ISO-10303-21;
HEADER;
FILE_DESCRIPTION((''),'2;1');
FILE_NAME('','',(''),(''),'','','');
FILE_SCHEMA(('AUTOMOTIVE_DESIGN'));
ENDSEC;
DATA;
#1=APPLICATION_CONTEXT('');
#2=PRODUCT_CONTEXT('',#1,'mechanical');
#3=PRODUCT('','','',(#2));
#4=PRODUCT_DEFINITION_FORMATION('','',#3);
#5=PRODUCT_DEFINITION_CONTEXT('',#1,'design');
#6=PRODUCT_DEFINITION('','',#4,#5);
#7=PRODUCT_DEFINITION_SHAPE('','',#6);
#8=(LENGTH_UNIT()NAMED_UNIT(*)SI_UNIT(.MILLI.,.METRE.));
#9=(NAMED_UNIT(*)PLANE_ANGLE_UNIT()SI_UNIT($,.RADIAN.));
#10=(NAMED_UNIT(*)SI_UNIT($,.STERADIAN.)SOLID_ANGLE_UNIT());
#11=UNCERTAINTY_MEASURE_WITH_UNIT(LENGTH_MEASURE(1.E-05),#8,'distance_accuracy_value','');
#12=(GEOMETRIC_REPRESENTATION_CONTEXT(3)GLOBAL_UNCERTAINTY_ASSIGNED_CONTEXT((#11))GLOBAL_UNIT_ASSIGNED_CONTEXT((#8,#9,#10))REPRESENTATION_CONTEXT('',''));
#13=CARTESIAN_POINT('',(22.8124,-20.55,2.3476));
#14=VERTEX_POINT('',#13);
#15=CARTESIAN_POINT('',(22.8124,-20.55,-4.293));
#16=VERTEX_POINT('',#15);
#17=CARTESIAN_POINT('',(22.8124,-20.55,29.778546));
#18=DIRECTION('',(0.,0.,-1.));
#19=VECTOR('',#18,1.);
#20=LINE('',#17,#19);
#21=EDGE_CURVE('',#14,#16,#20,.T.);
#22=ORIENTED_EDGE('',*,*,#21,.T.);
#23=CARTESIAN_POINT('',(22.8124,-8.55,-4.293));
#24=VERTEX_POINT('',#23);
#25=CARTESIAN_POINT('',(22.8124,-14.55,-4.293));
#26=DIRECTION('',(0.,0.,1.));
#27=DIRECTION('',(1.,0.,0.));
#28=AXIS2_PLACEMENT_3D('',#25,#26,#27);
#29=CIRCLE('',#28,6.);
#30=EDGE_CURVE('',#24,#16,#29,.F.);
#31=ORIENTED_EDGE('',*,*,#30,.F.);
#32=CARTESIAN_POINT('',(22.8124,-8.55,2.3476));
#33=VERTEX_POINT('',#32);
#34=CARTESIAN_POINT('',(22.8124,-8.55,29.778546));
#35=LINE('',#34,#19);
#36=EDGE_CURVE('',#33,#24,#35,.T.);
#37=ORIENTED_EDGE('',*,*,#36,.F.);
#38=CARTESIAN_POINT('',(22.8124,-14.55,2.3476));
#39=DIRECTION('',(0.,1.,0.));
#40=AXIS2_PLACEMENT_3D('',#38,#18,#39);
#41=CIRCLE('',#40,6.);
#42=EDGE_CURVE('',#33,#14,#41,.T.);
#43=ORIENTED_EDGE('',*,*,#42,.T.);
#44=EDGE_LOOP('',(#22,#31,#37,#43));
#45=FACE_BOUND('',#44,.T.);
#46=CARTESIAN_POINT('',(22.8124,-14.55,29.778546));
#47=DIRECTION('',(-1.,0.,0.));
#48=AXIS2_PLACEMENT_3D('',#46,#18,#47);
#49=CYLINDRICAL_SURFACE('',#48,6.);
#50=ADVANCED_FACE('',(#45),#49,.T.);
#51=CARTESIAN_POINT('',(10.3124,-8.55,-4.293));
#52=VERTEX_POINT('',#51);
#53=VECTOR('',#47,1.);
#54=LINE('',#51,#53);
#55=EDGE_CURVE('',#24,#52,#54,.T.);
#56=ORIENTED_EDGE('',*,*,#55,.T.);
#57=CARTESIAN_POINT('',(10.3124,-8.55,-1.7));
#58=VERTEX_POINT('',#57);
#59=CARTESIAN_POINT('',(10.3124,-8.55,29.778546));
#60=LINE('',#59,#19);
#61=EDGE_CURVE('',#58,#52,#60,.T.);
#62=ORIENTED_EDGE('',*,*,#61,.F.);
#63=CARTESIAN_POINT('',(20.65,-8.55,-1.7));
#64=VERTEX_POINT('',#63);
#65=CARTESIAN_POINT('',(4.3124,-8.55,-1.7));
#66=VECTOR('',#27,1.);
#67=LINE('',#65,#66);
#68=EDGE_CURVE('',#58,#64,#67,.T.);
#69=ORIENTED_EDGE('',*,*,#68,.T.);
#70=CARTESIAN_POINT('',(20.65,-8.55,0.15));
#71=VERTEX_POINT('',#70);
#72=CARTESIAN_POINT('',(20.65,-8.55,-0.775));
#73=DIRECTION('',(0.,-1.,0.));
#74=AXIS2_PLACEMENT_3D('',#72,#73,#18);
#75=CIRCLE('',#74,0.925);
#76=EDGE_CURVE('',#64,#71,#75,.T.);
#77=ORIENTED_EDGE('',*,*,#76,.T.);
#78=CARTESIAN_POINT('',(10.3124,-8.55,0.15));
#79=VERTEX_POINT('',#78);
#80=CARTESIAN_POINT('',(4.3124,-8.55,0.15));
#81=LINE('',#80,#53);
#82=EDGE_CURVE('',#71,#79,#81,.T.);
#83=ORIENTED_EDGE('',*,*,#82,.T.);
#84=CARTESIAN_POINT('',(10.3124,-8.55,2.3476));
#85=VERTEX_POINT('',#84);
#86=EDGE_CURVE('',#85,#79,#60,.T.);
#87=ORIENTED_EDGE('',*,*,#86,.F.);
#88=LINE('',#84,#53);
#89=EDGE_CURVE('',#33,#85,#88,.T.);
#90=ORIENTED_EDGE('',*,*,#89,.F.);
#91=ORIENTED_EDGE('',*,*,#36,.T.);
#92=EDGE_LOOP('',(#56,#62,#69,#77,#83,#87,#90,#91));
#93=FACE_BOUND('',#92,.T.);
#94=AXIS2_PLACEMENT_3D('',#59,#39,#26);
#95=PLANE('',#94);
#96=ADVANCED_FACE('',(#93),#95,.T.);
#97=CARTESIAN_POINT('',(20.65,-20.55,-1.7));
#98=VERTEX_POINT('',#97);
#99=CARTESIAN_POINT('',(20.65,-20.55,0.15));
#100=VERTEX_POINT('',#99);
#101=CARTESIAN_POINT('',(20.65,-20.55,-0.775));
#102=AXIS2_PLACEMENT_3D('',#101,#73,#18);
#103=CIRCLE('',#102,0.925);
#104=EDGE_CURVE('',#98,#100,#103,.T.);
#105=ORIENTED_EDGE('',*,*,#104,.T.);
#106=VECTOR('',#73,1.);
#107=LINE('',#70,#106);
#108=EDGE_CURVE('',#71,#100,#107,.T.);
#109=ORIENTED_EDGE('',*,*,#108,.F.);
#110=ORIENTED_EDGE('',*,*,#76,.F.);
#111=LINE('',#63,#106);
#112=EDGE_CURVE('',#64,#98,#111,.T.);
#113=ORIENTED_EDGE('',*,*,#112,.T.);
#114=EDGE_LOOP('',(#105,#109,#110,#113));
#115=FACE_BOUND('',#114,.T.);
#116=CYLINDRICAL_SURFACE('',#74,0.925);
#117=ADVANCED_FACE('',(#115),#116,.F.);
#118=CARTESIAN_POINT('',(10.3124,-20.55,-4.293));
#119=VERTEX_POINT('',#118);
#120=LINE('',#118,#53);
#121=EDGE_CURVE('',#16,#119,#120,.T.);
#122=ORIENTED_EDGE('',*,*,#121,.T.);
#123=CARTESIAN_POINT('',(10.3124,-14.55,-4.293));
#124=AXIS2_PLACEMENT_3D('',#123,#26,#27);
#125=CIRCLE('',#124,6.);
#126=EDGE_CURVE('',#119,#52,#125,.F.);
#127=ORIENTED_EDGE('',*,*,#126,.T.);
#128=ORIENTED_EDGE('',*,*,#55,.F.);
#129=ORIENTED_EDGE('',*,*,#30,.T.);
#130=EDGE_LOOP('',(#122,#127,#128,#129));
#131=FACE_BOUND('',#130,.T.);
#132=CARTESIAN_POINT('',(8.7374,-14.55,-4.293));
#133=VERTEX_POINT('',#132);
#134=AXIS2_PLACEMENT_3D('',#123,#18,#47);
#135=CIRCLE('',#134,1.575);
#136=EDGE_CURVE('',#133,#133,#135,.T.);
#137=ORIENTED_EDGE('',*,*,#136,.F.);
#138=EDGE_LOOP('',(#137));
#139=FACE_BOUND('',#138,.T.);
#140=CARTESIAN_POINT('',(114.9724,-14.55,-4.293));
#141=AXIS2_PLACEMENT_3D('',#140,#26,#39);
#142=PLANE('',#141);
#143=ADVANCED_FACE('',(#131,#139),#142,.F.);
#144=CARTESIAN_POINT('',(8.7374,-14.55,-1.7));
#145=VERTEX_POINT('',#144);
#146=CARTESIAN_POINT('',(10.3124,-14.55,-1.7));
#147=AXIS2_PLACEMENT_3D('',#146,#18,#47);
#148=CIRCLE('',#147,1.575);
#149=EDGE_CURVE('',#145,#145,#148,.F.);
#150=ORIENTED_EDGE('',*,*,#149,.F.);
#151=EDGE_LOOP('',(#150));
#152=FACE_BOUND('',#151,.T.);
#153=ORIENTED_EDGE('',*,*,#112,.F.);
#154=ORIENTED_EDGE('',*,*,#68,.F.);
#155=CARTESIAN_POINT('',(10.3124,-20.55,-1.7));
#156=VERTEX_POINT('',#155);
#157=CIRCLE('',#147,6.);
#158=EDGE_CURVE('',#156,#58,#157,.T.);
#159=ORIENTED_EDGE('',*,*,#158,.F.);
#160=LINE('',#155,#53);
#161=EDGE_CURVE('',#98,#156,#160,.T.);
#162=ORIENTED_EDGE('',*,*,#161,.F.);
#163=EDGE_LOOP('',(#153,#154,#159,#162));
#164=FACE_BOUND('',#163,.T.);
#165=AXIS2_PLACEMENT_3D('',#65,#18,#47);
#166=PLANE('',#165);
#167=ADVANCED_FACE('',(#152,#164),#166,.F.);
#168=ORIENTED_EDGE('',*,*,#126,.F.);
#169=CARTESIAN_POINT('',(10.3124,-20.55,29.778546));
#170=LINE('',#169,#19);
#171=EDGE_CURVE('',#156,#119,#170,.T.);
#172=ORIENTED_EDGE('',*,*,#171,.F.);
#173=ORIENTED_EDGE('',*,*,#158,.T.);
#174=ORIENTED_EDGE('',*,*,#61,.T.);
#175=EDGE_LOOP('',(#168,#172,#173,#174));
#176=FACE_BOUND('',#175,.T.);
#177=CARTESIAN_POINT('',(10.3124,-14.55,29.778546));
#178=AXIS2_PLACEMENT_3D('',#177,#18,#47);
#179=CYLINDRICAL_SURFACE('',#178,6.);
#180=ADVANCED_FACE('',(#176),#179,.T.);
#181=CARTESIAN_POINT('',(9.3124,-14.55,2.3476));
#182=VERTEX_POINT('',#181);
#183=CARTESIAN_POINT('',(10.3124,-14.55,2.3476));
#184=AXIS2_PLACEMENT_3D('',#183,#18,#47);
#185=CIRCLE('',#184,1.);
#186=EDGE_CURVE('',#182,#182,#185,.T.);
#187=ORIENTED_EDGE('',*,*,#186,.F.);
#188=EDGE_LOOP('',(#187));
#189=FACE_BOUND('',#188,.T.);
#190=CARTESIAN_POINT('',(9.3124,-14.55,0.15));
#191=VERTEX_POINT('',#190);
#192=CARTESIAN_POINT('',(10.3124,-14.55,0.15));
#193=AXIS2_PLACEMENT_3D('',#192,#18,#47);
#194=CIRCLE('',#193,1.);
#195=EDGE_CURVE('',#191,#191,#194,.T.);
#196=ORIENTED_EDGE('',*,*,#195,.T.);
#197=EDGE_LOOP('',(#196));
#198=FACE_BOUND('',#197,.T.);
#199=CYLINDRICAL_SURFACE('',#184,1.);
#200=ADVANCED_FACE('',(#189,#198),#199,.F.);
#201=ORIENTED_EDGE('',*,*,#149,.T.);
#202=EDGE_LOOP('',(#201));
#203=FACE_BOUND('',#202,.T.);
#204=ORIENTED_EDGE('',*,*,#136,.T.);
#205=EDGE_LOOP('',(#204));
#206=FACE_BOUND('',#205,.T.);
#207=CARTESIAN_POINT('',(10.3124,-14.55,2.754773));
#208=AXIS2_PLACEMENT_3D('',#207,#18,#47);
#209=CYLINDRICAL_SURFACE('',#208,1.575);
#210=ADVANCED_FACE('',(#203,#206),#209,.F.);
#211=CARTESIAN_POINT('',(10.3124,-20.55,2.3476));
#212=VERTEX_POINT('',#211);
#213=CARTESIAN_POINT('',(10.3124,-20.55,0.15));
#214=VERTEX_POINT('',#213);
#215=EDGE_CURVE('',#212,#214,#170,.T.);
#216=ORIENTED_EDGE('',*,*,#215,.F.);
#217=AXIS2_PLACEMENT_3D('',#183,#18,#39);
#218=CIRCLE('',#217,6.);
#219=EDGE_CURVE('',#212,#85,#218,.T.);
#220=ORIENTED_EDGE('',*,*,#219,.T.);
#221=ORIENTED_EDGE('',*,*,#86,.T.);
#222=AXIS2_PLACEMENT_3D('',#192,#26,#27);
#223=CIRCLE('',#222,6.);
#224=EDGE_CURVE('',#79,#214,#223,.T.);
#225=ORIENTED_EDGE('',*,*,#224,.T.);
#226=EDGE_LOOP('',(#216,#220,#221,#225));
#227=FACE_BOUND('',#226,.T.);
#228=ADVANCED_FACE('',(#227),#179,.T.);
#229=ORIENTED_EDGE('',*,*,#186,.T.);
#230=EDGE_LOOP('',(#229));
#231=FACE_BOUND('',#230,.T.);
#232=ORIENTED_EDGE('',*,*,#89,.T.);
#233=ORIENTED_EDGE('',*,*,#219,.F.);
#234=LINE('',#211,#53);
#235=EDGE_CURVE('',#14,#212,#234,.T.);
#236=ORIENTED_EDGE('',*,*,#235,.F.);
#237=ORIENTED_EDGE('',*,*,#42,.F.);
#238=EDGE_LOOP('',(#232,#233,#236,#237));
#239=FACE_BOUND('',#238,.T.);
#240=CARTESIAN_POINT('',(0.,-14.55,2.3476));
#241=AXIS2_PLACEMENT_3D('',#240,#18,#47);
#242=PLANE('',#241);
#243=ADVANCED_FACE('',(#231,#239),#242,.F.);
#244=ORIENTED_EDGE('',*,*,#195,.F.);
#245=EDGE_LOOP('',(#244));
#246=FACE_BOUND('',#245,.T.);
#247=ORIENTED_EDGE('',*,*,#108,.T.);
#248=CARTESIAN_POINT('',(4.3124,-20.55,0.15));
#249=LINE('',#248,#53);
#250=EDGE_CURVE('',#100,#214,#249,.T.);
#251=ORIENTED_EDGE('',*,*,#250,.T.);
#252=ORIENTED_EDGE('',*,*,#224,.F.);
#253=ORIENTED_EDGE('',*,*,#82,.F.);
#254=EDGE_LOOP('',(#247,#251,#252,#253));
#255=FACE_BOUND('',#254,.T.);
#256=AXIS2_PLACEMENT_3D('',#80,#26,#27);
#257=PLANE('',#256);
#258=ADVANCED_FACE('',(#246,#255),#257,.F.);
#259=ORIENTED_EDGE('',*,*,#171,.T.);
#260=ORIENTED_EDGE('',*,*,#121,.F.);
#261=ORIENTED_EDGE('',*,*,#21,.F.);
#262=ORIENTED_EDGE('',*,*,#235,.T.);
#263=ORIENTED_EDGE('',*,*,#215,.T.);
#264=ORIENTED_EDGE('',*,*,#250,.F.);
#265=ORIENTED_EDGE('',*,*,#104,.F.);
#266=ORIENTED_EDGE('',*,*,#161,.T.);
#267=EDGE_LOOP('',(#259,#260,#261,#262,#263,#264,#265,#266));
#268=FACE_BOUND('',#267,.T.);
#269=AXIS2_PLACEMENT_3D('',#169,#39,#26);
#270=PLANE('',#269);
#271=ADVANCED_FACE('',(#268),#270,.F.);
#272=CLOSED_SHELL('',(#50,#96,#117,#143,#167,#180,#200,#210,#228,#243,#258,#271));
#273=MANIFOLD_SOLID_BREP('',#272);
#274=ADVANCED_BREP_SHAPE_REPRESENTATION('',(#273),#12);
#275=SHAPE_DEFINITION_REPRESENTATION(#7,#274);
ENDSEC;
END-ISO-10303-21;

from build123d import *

# Parameters (mm, degrees)
BOSS_EXTRUDE1_DEPTH      = 2.3476
BOSS_EXTRUDE1_DEPTH_BACK = 4.293
CUT_EXTRUDE1_DEPTH       = 32.505304994
SKETCH3_R                = 1.575
CUT_EXTRUDE2_DEPTH       = 2.593
SKETCH4_R                = 1
CUT_EXTRUDE3_DEPTH       = 36.667872697


with BuildPart() as part:
    # Sketch1 → Boss-Extrude1 (new, two sides: drawn at the far end of the back side and taken through both)
    with BuildSketch(Plane.XY.offset(-BOSS_EXTRUDE1_DEPTH_BACK)):
        with BuildLine():
            Line((10.3124, -8.55), (22.8124, -8.55))
            ThreePointArc((22.8124, -8.55), (28.8124, -14.55), (22.8124, -20.55))
            Line((22.8124, -20.55), (10.3124, -20.55))
            ThreePointArc((10.3124, -20.55), (4.3124, -14.55), (10.3124, -8.55))
        make_face()
    extrude(amount=BOSS_EXTRUDE1_DEPTH + BOSS_EXTRUDE1_DEPTH_BACK)

    # Sketch2 → Cut-Extrude1 (cut, through all)
    with BuildSketch(Plane.XZ.offset(20.55)):
        with BuildLine():
            Line((4.3124, 0.15), (20.65, 0.15))
            ThreePointArc((20.65, 0.15), (21.575, -0.775), (20.65, -1.7))
            Line((20.65, -1.7), (4.3124, -1.7))
            ThreePointArc((4.3124, -1.7), (3.3874, -0.775), (4.3124, 0.15))
        make_face()
    extrude(amount=-CUT_EXTRUDE1_DEPTH, mode=Mode.SUBTRACT)

    # Sketch3 → Cut-Extrude2 (cut)
    with BuildSketch(Plane(origin=(0, 0, -4.293), x_dir=(-1, 0, 0), z_dir=(0, 0, -1))):
        with Locations((-10.3124, -14.55)):
            Circle(SKETCH3_R)
    extrude(amount=-CUT_EXTRUDE2_DEPTH, mode=Mode.SUBTRACT)

    # Sketch4 → Cut-Extrude3 (cut, through all)
    with BuildSketch(Plane(origin=(0, 0, 0.15), x_dir=(-1, 0, 0), z_dir=(0, 0, -1))):
        with Locations((-10.3124, -14.55)):
            Circle(SKETCH4_R)
    extrude(amount=-CUT_EXTRUDE3_DEPTH, mode=Mode.SUBTRACT)


solid = part.part
